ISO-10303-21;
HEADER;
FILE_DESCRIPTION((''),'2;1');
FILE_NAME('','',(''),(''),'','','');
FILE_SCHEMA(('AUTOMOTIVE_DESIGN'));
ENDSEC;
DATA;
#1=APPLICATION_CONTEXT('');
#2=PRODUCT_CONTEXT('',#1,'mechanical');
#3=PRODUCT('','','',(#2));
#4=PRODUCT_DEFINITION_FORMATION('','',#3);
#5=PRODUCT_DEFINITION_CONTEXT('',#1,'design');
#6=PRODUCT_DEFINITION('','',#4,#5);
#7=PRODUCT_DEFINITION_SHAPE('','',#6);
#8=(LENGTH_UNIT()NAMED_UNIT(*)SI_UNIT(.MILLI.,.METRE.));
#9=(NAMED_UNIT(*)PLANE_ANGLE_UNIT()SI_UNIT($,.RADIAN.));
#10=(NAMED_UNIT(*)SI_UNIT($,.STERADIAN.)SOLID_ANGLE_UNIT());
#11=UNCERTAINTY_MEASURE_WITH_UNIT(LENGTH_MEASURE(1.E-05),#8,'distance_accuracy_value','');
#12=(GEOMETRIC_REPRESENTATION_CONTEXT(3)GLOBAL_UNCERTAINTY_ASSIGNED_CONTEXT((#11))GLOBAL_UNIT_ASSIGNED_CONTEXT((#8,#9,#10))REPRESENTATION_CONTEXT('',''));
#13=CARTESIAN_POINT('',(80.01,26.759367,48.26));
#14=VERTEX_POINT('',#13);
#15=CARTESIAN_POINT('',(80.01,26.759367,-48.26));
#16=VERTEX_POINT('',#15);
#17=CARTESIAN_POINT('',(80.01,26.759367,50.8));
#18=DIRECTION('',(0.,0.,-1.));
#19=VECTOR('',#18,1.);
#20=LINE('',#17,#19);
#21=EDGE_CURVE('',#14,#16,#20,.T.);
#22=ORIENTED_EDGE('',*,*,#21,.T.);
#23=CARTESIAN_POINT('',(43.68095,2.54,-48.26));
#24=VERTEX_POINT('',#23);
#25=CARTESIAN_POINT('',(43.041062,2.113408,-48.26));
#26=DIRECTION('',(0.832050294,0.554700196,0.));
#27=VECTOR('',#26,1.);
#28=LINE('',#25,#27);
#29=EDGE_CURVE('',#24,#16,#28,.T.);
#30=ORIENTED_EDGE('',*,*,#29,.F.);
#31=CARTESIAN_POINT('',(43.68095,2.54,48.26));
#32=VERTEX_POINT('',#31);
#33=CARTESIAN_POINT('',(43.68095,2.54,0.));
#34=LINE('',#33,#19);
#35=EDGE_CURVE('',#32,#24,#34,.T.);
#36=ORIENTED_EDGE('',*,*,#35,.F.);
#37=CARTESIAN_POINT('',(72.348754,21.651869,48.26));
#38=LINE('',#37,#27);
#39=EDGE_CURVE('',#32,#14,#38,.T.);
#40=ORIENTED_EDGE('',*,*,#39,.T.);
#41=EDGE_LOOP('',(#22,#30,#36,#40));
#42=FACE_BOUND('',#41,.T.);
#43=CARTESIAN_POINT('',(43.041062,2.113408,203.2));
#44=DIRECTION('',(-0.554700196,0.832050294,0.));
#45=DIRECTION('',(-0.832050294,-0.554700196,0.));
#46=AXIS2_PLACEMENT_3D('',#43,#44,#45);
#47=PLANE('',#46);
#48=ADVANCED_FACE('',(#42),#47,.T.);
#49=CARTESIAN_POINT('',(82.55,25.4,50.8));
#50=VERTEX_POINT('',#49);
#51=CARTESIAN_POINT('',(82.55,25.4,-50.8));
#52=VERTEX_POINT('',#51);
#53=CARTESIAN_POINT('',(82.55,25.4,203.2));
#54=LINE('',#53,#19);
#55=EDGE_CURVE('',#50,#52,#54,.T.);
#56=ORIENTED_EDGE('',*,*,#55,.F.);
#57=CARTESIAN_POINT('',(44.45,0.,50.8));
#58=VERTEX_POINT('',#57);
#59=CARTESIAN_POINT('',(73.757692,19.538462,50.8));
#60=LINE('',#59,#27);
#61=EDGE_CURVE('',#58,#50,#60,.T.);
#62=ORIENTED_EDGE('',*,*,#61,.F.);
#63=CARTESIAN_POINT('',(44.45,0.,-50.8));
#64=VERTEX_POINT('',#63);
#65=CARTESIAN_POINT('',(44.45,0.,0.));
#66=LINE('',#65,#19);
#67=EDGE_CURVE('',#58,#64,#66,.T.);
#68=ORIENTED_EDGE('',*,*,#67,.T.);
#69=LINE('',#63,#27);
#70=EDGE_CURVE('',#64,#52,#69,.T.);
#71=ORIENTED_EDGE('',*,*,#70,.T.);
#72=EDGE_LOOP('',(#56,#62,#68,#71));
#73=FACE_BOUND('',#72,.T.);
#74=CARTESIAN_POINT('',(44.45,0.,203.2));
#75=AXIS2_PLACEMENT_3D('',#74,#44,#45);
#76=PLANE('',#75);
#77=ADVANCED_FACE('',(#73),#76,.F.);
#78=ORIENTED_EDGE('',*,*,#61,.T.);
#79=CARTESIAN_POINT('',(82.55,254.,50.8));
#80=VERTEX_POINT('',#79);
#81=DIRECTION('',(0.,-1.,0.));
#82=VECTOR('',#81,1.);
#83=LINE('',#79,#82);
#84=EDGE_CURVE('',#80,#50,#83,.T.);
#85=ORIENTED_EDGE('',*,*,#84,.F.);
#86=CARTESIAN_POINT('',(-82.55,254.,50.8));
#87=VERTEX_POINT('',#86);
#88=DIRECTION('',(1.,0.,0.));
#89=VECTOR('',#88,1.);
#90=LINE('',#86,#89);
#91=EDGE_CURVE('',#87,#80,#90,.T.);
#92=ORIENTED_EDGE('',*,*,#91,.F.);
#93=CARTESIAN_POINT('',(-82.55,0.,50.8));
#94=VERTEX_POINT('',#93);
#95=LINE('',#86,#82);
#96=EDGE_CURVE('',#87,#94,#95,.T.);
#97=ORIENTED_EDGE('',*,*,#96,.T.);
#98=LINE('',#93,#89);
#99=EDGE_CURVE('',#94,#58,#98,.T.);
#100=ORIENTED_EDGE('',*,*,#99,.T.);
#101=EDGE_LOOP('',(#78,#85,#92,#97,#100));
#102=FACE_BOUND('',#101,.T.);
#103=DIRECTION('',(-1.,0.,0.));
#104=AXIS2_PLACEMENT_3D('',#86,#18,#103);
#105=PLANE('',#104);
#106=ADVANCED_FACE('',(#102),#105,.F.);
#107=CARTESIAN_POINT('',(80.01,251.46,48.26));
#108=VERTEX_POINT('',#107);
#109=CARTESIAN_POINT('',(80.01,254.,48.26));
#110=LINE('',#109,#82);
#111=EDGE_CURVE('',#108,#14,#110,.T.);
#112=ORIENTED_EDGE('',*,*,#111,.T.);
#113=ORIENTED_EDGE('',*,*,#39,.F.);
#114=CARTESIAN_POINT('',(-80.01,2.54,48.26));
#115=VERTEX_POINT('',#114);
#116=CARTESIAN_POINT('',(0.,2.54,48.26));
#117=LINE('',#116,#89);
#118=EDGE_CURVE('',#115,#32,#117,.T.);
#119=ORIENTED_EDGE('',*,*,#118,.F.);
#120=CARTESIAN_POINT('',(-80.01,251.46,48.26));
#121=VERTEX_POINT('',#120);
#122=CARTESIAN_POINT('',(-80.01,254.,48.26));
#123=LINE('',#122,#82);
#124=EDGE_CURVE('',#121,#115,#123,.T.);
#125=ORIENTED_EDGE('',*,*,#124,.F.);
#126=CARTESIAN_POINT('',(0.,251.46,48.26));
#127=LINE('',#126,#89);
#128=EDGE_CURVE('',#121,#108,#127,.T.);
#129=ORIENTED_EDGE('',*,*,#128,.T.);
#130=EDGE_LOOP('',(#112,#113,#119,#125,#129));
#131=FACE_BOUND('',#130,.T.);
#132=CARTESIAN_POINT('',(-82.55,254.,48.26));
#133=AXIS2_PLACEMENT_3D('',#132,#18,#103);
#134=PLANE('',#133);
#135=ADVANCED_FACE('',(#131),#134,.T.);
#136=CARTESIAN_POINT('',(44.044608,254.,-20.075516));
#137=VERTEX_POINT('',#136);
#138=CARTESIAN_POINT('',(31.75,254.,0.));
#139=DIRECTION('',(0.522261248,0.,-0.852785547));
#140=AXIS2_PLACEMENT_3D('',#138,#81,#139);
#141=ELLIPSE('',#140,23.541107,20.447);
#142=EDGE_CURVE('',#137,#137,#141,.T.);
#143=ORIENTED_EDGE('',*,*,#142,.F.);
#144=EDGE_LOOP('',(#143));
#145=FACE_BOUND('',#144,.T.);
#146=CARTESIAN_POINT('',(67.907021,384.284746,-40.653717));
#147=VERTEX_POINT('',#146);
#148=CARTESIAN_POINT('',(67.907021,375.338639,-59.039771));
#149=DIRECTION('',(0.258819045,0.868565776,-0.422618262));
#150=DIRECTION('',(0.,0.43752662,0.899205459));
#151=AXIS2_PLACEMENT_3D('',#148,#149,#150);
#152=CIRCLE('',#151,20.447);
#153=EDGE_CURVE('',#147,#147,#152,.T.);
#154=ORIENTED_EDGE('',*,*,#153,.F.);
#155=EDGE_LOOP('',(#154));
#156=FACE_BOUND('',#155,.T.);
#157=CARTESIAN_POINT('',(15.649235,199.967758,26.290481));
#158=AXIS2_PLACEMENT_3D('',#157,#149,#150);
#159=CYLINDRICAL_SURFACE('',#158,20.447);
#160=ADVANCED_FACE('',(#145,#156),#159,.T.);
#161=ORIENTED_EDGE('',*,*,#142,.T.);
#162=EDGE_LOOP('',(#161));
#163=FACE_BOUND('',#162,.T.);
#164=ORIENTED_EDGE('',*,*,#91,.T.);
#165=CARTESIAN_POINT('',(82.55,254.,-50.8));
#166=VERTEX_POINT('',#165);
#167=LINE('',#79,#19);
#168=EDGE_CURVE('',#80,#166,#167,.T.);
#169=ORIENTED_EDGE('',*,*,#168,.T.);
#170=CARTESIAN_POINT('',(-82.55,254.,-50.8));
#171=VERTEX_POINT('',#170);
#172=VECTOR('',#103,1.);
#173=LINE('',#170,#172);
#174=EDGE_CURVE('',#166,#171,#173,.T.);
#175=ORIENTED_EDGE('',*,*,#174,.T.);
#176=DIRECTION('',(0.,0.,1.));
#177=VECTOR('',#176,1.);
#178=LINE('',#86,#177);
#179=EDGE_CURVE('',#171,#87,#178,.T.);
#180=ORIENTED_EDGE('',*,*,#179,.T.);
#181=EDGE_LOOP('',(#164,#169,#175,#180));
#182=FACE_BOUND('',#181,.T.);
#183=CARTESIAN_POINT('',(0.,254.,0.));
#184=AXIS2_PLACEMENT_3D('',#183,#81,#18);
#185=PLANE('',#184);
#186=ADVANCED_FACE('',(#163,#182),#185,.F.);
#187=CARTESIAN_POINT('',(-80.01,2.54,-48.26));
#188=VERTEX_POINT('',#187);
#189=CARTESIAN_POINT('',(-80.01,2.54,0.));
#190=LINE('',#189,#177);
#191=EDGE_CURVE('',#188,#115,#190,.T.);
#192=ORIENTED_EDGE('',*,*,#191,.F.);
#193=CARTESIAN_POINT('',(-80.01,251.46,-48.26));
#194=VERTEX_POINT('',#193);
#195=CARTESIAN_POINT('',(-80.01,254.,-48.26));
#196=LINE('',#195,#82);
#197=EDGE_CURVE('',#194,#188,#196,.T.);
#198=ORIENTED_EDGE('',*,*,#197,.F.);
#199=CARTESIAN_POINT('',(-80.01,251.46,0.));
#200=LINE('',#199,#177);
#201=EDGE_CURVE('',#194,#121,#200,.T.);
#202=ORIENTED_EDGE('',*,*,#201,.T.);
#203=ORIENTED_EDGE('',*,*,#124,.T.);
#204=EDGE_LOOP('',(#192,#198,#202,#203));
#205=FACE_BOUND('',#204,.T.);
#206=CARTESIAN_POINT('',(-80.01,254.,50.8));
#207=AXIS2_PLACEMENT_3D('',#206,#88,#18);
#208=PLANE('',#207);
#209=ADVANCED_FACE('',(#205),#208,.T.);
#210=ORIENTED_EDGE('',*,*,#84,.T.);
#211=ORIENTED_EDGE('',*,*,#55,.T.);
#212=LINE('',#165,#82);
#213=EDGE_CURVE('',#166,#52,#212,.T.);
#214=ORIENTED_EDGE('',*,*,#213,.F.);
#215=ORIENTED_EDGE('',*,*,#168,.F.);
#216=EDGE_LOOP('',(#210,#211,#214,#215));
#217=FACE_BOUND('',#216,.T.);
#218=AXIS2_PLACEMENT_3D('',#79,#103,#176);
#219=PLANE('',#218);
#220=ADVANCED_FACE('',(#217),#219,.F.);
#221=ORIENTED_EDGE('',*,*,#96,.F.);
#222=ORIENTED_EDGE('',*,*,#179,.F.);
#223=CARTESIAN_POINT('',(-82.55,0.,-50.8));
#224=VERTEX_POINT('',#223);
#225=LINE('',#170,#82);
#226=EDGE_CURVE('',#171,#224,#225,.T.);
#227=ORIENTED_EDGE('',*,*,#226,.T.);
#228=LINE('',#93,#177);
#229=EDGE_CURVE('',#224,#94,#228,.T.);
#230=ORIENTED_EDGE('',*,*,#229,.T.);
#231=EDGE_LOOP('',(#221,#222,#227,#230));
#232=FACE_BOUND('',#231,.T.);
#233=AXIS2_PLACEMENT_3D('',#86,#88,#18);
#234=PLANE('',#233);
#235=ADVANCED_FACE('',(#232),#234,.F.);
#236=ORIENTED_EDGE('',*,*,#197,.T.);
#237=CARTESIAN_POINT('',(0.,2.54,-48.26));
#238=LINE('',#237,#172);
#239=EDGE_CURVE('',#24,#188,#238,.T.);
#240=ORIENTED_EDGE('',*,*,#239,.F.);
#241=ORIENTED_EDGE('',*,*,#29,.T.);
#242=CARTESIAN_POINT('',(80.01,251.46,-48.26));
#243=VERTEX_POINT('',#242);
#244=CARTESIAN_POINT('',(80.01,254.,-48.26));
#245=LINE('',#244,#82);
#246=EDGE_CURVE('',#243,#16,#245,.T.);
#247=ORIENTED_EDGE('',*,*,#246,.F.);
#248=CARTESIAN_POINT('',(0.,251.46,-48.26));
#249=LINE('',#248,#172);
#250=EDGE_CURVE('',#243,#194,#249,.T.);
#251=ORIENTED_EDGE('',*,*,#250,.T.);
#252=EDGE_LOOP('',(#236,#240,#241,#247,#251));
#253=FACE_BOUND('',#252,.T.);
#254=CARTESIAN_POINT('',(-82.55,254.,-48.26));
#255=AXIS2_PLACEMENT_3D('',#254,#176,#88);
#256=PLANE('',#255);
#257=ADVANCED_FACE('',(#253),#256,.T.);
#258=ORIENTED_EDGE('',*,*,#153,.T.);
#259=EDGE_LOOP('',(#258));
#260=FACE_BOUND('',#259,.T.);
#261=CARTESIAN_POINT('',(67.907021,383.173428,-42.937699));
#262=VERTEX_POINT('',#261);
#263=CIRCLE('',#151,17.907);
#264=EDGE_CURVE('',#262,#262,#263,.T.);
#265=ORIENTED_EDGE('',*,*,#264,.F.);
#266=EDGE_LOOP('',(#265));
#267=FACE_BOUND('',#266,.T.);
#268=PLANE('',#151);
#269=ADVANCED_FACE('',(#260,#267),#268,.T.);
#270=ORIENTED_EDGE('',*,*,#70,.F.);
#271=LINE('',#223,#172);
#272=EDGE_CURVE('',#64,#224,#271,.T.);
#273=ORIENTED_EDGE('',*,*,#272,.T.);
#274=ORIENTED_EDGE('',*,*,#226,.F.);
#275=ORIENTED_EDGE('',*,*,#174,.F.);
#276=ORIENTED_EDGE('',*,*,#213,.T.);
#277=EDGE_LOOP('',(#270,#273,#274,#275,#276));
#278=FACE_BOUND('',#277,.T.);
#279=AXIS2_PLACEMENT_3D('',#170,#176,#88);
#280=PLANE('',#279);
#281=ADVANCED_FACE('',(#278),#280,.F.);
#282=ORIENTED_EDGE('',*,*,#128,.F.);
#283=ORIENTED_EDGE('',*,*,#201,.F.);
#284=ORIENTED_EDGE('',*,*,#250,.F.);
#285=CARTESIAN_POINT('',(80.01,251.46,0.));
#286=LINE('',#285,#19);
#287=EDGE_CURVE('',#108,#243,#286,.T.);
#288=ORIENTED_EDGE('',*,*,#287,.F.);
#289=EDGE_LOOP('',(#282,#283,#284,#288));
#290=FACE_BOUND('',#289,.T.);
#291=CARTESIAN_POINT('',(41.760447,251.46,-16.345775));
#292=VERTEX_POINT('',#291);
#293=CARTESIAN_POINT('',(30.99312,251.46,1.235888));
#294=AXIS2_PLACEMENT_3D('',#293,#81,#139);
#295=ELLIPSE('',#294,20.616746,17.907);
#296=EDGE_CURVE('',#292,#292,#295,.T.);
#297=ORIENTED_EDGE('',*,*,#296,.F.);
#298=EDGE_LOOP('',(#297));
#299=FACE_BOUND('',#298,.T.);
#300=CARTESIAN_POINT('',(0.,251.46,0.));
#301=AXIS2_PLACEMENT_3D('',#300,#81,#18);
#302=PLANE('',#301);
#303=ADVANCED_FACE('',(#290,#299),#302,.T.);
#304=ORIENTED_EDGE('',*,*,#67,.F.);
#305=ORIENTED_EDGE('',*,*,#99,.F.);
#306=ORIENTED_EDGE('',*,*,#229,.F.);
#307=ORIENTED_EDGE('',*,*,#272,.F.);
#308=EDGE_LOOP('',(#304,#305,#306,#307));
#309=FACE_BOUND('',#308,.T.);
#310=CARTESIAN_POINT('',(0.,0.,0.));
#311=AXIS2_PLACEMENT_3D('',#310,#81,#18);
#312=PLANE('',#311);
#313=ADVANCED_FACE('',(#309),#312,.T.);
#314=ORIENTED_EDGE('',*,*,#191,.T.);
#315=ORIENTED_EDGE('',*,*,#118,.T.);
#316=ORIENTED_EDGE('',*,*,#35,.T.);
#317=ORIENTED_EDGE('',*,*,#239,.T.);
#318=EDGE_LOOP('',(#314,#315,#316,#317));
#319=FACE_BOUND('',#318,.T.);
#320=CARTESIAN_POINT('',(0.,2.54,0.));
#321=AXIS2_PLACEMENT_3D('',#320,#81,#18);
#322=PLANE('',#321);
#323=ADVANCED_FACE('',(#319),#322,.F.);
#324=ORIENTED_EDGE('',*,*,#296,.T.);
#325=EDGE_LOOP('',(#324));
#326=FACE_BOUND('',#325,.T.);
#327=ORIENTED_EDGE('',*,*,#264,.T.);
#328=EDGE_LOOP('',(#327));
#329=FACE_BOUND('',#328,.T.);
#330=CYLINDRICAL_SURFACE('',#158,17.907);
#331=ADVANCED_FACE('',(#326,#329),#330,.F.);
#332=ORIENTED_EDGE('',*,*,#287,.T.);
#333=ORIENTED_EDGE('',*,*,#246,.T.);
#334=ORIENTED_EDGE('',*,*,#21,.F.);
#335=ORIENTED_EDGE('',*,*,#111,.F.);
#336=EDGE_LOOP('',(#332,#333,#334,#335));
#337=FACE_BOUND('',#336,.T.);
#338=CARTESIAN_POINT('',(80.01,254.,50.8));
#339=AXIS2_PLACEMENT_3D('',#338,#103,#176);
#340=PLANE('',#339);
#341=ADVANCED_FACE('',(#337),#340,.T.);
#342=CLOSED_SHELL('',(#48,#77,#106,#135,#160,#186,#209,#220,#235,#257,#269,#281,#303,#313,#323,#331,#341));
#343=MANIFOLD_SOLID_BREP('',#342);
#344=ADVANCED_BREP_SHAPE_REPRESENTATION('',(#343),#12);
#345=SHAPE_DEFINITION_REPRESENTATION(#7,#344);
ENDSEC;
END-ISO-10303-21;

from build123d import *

# Parameters (mm, degrees)
SKETCH1_W                       = 165.1
SKETCH1_H                       = 101.6
BOSS_EXTRUDE1_DEPTH             = 254
CUT_EXTRUDE1_DEPTH              = 254
SKETCH5_R                       = 20.447
BOSS_EXTRUDE3_DEPTH             = 139.7
BOSS_EXTRUDE3_DIRECTION_2_REACH = 285.127
SHELL2_T                        = -2.54


with BuildPart() as part:
    # Sketch1 → Boss-Extrude1 (new body)
    with BuildSketch(Plane(origin=(0, 0, 0), x_dir=(1, 0, 0), z_dir=(0, 1, 0))):
        Rectangle(SKETCH1_W, SKETCH1_H)
    extrude(amount=BOSS_EXTRUDE1_DEPTH)

    # Sketch2 → Cut-Extrude1 (cut)
    with BuildSketch(Plane(origin=(0, 0, -50.8), x_dir=(-1, 0, 0), z_dir=(0, 0, -1))):
        Polygon((-44.45, 0), (-82.55, 25.4), (-82.55, 0), align=None)
    extrude(amount=-CUT_EXTRUDE1_DEPTH, mode=Mode.SUBTRACT)

    # Sketch5 → Boss-Extrude3 (add)
    with BuildSketch(Plane(origin=(31.75, 254, 0), x_dir=(0.9657919899307167, -0.2399824072752947, 0.09825617733263003), z_dir=(0.2588190451025181, 0.8685657757104482, -0.422618261740697))):
        with Locations(Location((0, 0, 0), (0, 0, 269.046198917))):
            Circle(SKETCH5_R)
    extrude(amount=BOSS_EXTRUDE3_DEPTH)

    # Boss-Extrude3 direction 2: up to this face of the body (flat: up to its plane)
    boss_extrude3_direction_2_end = Plane(part.part.faces().sort_by_distance((0, 254, 0))[0])
    # Sketch5 → Boss-Extrude3 direction 2 (add, up to the picked face)
    with BuildSketch(Plane(origin=(31.75, 254, 0), x_dir=(0.9657919899307167, -0.2399824072752947, 0.09825617733263003), z_dir=(0.2588190451025181, 0.8685657757104482, -0.422618261740697)), mode=Mode.PRIVATE) as boss_extrude3_direction_2_sk1:
        with Locations(Location((0, 0, 0), (0, 0, 269.046198917))):
            Circle(SKETCH5_R)
    boss_extrude3_direction_2_tool1 = split(extrude(boss_extrude3_direction_2_sk1.sketch, amount=-BOSS_EXTRUDE3_DIRECTION_2_REACH, mode=Mode.PRIVATE), bisect_by=boss_extrude3_direction_2_end, keep=Keep.BOTH, mode=Mode.PRIVATE)
    add(boss_extrude3_direction_2_tool1.solids().sort_by(Axis((31.75, 254, 0), (-0.2588190451025181, -0.8685657757104482, 0.422618261740697)))[0])

    # Shell2
    shell2_openings = [part.faces().sort_by_distance(p)[0] for p in [
        (67.907020601, 375.338638867, -59.039771165),
    ]]
    offset(amount=SHELL2_T, openings=shell2_openings, kind=Kind.INTERSECTION)


solid = part.part
